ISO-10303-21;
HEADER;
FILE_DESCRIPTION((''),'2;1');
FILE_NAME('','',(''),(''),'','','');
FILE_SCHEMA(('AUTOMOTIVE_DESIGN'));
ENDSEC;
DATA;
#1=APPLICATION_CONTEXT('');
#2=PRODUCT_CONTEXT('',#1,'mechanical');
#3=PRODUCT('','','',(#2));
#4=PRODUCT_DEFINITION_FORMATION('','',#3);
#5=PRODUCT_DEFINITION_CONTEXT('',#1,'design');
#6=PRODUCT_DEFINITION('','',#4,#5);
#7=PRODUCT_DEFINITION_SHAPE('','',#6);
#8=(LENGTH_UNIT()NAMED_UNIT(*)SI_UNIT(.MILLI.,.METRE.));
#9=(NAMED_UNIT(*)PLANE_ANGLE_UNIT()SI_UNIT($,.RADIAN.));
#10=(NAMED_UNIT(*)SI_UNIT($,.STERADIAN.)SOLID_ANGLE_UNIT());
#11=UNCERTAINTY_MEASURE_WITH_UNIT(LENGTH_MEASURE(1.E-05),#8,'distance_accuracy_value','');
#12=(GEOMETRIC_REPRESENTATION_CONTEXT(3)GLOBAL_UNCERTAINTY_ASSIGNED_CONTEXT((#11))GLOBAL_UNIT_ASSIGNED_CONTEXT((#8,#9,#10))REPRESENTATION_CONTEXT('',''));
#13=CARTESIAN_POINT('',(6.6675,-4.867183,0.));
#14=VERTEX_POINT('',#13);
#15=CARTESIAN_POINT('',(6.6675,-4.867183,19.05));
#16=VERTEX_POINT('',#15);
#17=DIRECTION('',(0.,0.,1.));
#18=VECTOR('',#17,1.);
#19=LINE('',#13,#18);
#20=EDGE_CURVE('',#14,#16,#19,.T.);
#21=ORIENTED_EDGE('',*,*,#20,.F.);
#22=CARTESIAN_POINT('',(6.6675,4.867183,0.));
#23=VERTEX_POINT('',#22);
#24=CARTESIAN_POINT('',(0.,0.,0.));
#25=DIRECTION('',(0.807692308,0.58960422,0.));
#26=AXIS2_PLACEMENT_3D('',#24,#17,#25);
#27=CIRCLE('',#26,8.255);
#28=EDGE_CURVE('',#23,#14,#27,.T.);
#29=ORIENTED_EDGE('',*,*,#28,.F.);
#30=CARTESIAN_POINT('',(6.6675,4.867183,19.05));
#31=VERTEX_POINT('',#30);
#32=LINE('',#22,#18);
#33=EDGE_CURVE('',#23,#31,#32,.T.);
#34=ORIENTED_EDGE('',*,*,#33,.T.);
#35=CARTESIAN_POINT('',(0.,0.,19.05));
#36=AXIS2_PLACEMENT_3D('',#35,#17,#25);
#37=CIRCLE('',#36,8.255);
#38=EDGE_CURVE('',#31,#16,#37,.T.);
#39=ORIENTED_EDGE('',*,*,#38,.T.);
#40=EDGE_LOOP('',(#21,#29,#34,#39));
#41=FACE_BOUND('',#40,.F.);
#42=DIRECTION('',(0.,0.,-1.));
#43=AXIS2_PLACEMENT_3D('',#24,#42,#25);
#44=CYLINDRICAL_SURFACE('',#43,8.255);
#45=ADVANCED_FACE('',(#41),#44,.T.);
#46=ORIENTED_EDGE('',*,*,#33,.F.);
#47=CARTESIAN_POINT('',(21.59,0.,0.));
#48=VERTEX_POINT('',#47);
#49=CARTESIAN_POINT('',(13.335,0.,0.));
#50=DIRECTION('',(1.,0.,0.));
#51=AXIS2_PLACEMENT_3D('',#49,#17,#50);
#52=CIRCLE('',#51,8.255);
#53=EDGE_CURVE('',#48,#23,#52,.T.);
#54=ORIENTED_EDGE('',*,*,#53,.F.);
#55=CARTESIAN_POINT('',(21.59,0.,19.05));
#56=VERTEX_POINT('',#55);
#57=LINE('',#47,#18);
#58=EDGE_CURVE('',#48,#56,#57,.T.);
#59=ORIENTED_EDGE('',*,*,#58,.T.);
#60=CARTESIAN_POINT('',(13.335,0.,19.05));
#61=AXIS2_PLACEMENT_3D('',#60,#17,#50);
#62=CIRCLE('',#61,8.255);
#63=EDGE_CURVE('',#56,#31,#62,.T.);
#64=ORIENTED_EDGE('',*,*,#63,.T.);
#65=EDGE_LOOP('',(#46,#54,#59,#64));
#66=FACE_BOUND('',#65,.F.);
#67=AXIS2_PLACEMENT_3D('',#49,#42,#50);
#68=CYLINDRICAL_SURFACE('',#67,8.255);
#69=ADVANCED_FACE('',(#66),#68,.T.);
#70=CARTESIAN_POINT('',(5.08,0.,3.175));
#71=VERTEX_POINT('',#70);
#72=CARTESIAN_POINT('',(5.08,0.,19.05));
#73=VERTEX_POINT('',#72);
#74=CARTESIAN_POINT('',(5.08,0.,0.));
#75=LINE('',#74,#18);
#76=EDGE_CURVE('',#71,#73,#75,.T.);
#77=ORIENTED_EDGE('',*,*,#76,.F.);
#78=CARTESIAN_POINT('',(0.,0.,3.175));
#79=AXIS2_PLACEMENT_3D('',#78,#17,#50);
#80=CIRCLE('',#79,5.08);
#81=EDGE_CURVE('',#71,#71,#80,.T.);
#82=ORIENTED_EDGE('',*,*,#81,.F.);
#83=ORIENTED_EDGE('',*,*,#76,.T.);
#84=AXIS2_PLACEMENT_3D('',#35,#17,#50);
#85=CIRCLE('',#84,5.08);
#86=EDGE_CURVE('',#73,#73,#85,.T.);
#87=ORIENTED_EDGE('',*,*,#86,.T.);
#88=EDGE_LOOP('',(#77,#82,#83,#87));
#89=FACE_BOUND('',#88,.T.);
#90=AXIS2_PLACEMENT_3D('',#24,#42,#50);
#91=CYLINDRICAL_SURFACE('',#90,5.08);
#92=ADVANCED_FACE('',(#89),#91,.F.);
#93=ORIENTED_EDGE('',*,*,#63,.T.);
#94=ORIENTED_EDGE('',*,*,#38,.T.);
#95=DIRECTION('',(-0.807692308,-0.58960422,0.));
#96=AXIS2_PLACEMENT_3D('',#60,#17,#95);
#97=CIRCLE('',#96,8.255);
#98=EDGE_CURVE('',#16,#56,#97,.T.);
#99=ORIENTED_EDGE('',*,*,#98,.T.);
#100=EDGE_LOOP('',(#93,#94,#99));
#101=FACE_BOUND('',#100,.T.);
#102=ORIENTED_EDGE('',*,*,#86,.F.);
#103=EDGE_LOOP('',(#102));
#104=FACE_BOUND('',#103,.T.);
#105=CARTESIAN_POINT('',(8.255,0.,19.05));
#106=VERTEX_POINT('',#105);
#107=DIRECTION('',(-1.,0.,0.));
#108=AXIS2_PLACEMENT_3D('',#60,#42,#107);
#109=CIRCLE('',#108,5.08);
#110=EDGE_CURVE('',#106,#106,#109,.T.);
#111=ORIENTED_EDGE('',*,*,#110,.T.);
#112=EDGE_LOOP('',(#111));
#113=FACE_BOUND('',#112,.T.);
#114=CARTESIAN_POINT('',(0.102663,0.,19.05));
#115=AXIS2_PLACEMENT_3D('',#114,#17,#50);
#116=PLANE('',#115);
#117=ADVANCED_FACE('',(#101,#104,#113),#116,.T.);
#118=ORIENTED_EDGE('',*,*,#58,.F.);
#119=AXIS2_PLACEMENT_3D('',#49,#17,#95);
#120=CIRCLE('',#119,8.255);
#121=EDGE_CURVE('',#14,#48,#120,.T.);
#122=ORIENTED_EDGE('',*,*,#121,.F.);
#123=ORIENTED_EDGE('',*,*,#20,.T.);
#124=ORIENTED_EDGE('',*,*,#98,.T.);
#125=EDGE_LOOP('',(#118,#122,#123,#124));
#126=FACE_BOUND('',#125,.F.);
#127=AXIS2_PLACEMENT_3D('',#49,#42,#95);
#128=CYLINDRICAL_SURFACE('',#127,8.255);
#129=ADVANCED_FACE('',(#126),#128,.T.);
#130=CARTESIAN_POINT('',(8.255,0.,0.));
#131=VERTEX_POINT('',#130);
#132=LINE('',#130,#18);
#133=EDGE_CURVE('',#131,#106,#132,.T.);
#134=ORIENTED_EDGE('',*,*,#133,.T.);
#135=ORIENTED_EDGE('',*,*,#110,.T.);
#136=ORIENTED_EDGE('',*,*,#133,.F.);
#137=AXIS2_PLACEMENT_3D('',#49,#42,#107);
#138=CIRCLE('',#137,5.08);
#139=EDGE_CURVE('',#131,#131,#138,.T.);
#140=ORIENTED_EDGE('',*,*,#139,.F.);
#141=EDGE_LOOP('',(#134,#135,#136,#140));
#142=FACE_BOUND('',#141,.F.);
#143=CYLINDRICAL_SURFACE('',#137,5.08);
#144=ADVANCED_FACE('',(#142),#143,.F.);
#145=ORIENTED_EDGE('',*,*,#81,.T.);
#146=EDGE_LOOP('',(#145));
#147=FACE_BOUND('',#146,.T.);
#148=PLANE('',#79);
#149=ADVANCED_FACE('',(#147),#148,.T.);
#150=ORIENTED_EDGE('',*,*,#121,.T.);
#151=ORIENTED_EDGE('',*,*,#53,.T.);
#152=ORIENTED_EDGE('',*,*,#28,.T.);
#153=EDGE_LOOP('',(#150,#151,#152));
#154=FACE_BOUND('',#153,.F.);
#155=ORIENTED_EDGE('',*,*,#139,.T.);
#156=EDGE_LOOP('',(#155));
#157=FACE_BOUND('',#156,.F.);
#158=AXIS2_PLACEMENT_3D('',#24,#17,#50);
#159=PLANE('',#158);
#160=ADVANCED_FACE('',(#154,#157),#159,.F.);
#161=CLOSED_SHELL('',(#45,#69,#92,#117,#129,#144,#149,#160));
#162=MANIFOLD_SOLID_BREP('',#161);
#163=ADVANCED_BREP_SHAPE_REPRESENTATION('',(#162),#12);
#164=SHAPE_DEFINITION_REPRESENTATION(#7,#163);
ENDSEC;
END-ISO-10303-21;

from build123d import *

# Parameters (mm, degrees)
F0_R     = 5.08
F1_DEPTH = 19.05
F2_R     = 5.08
F3_DEPTH = 3.175


with BuildPart() as f1:
    # F0 (on Top) → F1 (new body)
    with BuildSketch(Plane.XY):
        with BuildLine():
            ThreePointArc((6.6675, -4.8671828351), (5.4869034951, -2.5597668351), (5.08, 0))
            ThreePointArc((5.08, 0), (5.4869034951, 2.5597668351), (6.6675, 4.8671828351))
            ThreePointArc((6.6675, 4.8671828351), (-8.255, 0), (6.6675, -4.8671828351))
        make_face()
        Circle(F0_R, mode=Mode.SUBTRACT)
        with BuildLine():
            Line((8.255, 0), (5.08, 0))
            ThreePointArc((5.08, 0), (5.4869034951, -2.5597668351), (6.6675, -4.8671828351))
            ThreePointArc((6.6675, -4.8671828351), (7.8480965049, -2.5597668351), (8.255, 0))
        make_face()
        with BuildLine():
            ThreePointArc((6.6675, 4.8671828351), (5.4869034951, 2.5597668351), (5.08, 0))
            Line((5.08, 0), (8.255, 0))
            ThreePointArc((8.255, 0), (7.8480965049, 2.5597668351), (6.6675, 4.8671828351))
        make_face()
        with BuildLine():
            ThreePointArc((6.6675, 4.8671828351), (7.8480965049, 2.5597668351), (8.255, 0))
            ThreePointArc((8.255, 0), (7.8480965049, -2.5597668351), (6.6675, -4.8671828351))
            ThreePointArc((6.6675, -4.8671828351), (15.8947668351, -7.8480965049), (21.59, 0))
            ThreePointArc((21.59, 0), (15.8947668351, 7.8480965049), (6.6675, 4.8671828351))
        make_face()
        with BuildLine():
            ThreePointArc((18.415, 0), (13.335, -5.08), (8.255, 0))
            ThreePointArc((8.255, 0), (13.335, 5.08), (18.415, 0))
        make_face(mode=Mode.SUBTRACT)
    extrude(amount=F1_DEPTH)

    # F2 (on Top) → F3 (join)
    with BuildSketch(Plane.XY):
        Circle(F2_R)
    extrude(amount=F3_DEPTH)


solid = f1.part
